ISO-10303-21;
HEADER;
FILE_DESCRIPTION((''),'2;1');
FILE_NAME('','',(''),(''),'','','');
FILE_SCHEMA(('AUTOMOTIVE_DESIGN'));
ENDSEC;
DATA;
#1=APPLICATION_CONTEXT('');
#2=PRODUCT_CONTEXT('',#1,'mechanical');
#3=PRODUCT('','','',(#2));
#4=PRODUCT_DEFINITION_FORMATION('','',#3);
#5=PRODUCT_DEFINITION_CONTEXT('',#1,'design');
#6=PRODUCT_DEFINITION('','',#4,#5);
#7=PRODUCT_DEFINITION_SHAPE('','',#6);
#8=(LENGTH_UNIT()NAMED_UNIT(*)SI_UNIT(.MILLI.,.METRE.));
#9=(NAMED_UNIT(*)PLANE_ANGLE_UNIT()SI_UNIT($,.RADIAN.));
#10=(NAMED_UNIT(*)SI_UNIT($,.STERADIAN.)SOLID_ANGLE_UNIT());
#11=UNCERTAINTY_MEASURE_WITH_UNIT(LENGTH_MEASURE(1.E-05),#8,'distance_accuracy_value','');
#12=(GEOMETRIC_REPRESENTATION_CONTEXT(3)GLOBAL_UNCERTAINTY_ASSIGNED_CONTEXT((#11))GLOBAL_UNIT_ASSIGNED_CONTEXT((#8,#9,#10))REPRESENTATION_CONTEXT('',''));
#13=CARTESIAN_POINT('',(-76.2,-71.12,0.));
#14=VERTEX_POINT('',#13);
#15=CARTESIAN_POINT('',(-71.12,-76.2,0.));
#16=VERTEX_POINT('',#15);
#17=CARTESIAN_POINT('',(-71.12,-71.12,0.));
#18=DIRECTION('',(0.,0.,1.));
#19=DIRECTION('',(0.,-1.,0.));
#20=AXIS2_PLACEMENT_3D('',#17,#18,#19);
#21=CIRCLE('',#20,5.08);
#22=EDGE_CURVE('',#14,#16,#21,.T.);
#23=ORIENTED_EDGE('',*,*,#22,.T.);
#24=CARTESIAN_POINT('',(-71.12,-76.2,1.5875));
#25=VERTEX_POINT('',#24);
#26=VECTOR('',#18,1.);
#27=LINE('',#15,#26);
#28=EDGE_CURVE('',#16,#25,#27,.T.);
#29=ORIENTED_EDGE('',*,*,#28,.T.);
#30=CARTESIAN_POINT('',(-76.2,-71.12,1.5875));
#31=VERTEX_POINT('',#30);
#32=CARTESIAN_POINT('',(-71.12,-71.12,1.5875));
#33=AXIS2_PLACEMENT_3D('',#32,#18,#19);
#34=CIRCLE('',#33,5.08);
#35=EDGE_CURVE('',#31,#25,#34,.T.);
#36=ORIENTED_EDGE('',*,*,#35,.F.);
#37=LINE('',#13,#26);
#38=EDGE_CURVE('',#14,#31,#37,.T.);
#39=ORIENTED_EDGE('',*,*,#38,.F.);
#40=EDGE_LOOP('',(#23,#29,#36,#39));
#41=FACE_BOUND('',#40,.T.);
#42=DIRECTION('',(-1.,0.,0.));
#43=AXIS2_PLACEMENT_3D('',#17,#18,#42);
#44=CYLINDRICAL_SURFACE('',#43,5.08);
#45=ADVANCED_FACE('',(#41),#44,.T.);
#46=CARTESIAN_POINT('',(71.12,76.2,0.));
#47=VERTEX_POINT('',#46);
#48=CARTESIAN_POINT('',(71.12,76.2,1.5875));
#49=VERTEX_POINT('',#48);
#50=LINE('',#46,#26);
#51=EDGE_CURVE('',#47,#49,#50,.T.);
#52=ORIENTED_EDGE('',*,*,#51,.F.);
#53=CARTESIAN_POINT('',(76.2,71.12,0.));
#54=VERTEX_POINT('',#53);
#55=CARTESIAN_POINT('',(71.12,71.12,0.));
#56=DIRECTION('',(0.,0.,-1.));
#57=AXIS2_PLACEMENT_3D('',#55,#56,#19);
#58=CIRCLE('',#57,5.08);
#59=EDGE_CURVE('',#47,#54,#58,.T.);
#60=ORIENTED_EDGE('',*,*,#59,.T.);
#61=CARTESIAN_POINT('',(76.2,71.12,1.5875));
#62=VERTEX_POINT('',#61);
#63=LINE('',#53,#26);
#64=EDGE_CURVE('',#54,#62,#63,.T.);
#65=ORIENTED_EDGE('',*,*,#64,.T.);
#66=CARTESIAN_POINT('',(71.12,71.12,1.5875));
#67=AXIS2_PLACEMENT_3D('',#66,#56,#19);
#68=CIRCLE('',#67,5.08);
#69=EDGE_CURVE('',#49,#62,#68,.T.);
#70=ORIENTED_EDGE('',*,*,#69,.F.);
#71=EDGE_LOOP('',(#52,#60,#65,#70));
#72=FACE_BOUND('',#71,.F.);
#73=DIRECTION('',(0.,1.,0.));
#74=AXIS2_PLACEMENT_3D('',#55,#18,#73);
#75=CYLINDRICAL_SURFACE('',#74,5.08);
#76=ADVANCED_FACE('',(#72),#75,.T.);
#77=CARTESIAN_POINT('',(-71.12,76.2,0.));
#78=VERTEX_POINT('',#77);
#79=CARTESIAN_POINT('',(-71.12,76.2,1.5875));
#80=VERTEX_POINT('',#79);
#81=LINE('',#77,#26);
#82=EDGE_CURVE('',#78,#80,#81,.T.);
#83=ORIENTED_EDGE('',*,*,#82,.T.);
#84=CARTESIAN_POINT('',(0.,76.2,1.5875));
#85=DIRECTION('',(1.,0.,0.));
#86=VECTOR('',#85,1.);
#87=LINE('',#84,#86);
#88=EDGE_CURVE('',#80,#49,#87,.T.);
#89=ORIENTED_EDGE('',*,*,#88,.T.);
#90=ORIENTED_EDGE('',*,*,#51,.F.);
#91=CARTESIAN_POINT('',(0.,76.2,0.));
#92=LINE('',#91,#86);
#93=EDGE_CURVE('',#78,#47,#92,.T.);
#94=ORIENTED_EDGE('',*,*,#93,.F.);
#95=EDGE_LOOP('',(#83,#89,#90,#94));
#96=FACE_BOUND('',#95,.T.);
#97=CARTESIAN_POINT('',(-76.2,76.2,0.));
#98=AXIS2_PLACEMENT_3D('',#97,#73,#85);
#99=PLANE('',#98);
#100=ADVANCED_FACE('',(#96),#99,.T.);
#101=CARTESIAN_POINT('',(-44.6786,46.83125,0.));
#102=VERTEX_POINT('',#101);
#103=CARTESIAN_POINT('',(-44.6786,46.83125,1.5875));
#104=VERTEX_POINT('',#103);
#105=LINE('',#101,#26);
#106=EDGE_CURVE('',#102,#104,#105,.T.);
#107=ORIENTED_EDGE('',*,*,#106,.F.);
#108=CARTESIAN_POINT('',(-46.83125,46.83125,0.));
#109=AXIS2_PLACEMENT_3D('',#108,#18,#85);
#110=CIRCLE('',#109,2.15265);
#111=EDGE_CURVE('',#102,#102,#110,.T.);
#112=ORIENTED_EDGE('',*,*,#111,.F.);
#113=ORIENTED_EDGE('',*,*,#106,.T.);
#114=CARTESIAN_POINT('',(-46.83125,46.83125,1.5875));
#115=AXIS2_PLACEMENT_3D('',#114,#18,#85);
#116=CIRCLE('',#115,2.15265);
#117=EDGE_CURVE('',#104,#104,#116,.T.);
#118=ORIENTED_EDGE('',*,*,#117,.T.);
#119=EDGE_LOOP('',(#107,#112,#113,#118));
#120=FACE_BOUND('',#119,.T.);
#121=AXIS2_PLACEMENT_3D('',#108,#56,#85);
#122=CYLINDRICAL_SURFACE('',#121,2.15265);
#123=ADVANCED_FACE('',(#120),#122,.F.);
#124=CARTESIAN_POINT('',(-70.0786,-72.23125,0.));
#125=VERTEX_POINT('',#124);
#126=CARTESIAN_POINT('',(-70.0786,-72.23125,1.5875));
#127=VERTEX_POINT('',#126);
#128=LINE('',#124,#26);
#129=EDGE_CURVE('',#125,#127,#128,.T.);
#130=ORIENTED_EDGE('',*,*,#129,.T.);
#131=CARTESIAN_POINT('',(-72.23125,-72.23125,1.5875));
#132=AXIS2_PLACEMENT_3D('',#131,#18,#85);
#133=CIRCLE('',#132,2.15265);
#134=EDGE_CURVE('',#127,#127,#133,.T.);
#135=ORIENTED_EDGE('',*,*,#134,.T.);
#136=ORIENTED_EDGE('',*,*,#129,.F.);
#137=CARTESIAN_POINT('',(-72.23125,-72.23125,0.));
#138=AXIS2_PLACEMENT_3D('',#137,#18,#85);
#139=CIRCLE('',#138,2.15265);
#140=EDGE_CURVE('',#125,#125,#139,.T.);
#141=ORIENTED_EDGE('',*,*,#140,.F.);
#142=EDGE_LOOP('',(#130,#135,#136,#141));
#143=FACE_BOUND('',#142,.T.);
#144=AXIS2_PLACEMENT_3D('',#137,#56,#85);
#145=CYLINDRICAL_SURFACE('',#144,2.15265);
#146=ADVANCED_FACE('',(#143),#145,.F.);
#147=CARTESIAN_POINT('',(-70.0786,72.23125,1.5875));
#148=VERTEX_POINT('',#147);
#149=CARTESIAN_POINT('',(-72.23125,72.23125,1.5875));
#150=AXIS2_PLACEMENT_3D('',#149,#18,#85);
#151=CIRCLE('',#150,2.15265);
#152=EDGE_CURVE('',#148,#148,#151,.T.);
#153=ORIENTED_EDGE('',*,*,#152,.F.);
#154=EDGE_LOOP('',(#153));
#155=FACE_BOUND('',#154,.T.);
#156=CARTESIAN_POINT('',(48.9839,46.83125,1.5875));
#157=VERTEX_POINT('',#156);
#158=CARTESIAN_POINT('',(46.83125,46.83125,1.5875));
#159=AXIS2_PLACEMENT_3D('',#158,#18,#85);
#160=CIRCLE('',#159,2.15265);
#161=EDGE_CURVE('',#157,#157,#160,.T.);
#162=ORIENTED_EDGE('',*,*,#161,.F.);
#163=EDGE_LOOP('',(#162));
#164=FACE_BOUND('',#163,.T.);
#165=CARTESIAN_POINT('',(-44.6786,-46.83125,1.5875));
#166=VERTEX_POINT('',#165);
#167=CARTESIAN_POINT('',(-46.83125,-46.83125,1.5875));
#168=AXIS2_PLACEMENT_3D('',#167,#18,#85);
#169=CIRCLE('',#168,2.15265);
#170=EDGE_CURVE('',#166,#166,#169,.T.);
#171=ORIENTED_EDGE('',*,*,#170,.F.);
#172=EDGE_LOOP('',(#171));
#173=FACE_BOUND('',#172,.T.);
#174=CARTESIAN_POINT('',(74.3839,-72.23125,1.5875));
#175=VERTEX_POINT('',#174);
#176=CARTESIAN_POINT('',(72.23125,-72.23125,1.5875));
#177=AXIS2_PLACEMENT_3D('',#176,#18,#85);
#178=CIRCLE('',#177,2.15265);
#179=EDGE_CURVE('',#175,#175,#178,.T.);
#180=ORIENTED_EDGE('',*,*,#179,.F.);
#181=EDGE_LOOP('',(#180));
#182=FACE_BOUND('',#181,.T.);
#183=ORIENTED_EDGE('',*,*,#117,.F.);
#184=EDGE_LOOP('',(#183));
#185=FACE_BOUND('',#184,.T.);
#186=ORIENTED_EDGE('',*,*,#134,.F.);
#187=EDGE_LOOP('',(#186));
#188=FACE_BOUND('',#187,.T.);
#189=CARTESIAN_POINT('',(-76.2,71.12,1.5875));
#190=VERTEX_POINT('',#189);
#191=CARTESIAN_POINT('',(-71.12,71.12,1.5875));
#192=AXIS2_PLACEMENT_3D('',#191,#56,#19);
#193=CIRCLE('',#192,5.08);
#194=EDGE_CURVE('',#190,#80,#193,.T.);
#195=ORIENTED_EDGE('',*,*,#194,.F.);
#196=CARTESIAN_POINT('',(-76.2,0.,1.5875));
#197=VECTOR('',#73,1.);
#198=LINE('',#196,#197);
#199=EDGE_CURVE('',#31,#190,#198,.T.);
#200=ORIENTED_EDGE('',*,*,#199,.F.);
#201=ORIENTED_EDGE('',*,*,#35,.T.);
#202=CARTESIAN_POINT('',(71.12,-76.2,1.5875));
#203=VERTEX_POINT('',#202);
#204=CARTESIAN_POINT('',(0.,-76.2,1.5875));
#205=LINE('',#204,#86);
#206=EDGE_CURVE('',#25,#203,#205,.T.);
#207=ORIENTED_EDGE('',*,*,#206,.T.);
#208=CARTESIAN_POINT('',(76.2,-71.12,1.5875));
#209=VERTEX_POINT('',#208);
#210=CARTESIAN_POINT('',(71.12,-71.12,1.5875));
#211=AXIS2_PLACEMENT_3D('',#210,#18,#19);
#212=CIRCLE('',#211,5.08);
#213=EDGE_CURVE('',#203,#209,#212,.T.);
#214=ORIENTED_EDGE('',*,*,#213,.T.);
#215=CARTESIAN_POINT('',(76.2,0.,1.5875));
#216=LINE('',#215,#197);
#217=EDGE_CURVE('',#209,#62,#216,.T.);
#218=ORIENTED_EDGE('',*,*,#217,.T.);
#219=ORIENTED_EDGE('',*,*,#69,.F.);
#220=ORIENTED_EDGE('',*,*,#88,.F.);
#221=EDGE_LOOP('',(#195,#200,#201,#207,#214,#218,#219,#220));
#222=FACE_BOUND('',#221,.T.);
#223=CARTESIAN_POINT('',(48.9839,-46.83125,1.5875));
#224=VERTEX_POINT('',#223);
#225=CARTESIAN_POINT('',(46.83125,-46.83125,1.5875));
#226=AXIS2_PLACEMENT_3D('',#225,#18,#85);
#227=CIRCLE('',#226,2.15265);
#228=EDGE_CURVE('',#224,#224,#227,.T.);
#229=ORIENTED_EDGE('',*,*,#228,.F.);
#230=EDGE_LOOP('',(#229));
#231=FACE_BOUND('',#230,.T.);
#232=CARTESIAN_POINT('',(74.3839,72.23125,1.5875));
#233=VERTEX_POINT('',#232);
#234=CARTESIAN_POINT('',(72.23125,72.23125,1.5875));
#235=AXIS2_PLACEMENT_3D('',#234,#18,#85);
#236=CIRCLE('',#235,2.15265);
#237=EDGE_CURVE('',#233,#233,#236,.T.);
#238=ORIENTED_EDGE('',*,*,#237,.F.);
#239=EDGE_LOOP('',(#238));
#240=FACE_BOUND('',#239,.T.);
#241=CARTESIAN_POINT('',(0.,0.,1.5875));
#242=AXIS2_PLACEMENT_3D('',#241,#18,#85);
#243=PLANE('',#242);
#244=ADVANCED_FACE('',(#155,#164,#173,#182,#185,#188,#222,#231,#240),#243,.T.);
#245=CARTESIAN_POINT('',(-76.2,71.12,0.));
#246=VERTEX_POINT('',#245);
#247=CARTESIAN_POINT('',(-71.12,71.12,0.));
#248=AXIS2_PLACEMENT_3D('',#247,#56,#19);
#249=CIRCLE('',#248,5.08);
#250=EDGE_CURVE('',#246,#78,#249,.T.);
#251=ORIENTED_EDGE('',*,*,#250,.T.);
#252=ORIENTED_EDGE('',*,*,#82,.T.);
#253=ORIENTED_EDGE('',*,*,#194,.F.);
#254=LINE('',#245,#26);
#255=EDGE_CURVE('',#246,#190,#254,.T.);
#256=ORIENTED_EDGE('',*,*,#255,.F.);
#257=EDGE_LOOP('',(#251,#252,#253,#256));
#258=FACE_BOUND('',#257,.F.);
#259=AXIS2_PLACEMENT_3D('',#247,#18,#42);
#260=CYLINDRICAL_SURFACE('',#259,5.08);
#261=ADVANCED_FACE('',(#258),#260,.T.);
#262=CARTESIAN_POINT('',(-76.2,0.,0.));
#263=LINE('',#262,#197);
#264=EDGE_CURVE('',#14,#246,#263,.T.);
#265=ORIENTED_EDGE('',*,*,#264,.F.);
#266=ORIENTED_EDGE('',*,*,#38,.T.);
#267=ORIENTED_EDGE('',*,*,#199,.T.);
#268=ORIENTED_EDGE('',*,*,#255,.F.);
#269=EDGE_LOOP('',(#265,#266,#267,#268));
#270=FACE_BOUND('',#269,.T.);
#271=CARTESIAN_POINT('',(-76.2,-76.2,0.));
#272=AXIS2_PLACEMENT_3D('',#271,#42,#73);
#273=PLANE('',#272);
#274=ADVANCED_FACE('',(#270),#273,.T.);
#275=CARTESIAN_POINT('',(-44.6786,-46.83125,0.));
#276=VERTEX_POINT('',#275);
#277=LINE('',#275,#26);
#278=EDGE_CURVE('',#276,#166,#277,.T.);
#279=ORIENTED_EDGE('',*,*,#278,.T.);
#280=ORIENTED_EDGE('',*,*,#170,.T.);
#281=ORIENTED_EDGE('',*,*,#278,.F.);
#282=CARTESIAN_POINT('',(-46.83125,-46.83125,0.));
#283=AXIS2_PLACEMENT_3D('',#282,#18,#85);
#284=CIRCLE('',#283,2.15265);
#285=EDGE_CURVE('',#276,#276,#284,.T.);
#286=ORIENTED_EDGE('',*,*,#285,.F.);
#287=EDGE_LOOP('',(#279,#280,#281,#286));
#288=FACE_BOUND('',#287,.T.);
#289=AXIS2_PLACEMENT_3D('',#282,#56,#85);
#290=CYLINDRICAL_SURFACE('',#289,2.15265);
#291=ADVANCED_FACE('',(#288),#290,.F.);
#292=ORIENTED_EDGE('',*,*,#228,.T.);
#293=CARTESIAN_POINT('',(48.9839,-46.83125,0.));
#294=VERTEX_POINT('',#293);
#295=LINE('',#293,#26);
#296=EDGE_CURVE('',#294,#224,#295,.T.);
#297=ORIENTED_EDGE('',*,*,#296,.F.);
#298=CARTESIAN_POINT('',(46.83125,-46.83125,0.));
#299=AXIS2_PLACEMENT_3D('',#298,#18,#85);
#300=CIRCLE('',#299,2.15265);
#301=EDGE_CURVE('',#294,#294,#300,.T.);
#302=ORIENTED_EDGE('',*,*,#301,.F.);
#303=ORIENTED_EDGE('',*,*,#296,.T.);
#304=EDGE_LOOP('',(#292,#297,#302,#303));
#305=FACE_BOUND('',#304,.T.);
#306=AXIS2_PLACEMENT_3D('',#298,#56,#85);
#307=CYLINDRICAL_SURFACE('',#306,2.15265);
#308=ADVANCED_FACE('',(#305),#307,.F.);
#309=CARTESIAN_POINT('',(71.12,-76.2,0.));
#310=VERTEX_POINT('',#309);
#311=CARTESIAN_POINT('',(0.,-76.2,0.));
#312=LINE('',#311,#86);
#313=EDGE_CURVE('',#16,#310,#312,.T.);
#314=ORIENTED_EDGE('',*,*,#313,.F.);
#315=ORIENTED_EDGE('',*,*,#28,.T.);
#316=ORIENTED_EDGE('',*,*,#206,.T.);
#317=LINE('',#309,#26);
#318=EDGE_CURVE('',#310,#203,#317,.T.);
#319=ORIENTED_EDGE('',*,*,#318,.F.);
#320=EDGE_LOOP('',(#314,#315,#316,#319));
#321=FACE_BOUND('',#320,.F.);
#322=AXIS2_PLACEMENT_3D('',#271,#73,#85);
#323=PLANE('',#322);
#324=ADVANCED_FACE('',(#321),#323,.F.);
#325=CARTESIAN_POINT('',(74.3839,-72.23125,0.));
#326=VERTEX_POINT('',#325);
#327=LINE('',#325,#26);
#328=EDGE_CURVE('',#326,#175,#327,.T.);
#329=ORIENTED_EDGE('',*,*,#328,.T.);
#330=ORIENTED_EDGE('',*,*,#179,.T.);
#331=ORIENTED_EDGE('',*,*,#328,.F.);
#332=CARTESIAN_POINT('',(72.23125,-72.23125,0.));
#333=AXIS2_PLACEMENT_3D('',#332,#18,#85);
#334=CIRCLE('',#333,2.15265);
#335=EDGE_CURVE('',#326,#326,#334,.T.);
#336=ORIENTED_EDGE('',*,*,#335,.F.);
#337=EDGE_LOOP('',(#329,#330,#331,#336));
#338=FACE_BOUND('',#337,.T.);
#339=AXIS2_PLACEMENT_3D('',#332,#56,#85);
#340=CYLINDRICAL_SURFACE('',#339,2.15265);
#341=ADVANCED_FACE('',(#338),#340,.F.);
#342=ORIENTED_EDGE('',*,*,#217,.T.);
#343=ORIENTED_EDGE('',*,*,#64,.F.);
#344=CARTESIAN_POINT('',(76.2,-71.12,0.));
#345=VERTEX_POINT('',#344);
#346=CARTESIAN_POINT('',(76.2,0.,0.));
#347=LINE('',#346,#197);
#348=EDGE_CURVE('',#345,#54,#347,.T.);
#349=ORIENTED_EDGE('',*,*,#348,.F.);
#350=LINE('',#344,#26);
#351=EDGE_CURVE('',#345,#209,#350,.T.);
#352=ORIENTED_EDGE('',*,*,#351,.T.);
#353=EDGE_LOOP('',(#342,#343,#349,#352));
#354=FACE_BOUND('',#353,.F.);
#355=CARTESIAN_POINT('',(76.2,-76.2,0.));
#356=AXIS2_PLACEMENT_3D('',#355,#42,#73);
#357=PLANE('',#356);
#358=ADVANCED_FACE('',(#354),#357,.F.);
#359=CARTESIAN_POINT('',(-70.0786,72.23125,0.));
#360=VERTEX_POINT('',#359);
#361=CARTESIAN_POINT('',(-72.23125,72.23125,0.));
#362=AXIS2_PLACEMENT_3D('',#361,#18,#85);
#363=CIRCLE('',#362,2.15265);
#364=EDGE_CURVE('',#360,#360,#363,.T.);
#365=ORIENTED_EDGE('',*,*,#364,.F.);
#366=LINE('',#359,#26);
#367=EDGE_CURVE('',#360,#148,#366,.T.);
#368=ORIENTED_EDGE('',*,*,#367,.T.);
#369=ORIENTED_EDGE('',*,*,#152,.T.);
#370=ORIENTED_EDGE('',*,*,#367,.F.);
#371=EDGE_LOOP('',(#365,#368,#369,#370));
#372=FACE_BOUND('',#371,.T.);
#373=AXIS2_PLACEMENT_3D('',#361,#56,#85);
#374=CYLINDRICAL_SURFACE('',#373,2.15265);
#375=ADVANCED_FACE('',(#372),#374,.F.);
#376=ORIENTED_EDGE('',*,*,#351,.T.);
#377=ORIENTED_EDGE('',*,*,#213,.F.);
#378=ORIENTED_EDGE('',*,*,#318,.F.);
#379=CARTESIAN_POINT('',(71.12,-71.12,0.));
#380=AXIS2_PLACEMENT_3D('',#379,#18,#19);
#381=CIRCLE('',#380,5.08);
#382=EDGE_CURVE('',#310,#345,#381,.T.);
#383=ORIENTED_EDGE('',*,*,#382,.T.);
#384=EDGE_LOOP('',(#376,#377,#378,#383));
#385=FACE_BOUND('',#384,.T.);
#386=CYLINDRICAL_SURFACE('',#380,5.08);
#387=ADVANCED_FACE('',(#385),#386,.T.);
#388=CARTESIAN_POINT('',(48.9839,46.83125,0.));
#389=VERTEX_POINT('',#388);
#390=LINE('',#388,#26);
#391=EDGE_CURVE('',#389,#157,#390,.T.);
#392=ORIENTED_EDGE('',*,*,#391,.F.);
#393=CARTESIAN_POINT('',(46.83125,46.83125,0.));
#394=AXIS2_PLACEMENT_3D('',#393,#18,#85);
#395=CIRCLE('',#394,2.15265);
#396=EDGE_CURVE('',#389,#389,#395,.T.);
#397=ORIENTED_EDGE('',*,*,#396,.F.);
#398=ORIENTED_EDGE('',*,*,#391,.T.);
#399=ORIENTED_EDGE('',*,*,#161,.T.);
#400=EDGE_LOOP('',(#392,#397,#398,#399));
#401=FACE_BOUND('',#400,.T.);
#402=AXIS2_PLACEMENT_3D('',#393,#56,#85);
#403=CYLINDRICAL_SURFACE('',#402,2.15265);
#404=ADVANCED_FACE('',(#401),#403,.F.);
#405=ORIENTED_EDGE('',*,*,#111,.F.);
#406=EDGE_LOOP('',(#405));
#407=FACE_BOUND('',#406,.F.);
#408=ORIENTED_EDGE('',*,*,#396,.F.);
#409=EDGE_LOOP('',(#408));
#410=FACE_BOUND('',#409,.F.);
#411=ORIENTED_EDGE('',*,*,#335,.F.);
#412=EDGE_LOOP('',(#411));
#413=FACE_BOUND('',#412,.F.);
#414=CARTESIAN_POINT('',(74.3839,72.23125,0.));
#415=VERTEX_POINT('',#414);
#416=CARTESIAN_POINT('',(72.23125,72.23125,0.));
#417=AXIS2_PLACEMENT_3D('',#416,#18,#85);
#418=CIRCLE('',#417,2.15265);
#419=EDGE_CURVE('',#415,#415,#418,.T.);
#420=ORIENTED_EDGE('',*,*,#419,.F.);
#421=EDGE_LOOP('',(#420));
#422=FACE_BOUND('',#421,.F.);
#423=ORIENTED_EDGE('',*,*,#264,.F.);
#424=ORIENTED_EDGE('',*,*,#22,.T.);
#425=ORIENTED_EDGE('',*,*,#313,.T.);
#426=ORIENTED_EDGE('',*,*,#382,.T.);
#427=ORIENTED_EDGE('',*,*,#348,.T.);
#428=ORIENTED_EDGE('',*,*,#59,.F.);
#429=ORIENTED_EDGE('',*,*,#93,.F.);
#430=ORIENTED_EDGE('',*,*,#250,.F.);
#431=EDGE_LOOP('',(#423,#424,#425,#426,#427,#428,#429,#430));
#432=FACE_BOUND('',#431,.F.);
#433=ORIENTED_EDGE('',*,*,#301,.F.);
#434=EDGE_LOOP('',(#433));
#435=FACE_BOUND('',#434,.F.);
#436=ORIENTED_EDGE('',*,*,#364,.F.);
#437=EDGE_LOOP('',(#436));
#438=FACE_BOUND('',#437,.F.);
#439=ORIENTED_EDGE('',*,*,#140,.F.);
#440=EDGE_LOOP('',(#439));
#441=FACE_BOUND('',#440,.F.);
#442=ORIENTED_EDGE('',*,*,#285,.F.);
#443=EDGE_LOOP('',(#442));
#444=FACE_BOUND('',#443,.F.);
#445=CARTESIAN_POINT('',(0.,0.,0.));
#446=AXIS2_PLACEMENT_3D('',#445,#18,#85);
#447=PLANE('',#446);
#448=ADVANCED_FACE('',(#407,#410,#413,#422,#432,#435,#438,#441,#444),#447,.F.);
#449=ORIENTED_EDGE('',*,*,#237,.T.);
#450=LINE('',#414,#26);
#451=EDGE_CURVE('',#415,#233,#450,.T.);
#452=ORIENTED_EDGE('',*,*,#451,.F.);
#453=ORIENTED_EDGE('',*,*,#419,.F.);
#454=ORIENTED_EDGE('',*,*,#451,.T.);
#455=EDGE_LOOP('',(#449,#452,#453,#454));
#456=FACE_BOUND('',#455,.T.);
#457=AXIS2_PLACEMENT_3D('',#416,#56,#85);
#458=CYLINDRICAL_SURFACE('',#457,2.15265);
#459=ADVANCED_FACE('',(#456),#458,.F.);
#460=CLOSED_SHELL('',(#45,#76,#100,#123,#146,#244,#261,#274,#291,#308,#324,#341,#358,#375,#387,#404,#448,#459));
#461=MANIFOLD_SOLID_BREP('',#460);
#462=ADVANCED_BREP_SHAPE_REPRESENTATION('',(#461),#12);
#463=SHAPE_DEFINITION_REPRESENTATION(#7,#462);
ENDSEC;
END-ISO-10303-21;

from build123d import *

# Parameters (mm, degrees)
F0_W     = 152.4
F0_H     = 152.4
F0_R     = 2.15265
F1_DEPTH = 1.5875
F2_R     = 5.08


with BuildPart() as f1:
    # F0 (on Top) → F1 (new body)
    with BuildSketch(Plane.XY):
        Rectangle(F0_W, F0_H)
        with Locations((-72.23125, -72.23125)):
            Circle(F0_R, mode=Mode.SUBTRACT)
        with Locations((-46.83125, -46.83125)):
            Circle(F0_R, mode=Mode.SUBTRACT)
        with Locations((72.23125, -72.23125)):
            Circle(F0_R, mode=Mode.SUBTRACT)
        with Locations((46.83125, -46.83125)):
            Circle(F0_R, mode=Mode.SUBTRACT)
        with Locations((-46.83125, 46.83125)):
            Circle(F0_R, mode=Mode.SUBTRACT)
        with Locations((-72.23125, 72.23125)):
            Circle(F0_R, mode=Mode.SUBTRACT)
        with Locations((46.83125, 46.83125)):
            Circle(F0_R, mode=Mode.SUBTRACT)
        with Locations((72.23125, 72.23125)):
            Circle(F0_R, mode=Mode.SUBTRACT)
    extrude(amount=F1_DEPTH)

    # F2
    f2_edges = [f1.edges().sort_by_distance(p)[0] for p in [
        (-76.2, 76.2, 0.79375),
        (76.2, 76.2, 0.79375),
        (76.2, -76.2, 0.79375),
        (-76.2, -76.2, 0.79375),
    ]]
    fillet(f2_edges, radius=F2_R)


solid = f1.part
